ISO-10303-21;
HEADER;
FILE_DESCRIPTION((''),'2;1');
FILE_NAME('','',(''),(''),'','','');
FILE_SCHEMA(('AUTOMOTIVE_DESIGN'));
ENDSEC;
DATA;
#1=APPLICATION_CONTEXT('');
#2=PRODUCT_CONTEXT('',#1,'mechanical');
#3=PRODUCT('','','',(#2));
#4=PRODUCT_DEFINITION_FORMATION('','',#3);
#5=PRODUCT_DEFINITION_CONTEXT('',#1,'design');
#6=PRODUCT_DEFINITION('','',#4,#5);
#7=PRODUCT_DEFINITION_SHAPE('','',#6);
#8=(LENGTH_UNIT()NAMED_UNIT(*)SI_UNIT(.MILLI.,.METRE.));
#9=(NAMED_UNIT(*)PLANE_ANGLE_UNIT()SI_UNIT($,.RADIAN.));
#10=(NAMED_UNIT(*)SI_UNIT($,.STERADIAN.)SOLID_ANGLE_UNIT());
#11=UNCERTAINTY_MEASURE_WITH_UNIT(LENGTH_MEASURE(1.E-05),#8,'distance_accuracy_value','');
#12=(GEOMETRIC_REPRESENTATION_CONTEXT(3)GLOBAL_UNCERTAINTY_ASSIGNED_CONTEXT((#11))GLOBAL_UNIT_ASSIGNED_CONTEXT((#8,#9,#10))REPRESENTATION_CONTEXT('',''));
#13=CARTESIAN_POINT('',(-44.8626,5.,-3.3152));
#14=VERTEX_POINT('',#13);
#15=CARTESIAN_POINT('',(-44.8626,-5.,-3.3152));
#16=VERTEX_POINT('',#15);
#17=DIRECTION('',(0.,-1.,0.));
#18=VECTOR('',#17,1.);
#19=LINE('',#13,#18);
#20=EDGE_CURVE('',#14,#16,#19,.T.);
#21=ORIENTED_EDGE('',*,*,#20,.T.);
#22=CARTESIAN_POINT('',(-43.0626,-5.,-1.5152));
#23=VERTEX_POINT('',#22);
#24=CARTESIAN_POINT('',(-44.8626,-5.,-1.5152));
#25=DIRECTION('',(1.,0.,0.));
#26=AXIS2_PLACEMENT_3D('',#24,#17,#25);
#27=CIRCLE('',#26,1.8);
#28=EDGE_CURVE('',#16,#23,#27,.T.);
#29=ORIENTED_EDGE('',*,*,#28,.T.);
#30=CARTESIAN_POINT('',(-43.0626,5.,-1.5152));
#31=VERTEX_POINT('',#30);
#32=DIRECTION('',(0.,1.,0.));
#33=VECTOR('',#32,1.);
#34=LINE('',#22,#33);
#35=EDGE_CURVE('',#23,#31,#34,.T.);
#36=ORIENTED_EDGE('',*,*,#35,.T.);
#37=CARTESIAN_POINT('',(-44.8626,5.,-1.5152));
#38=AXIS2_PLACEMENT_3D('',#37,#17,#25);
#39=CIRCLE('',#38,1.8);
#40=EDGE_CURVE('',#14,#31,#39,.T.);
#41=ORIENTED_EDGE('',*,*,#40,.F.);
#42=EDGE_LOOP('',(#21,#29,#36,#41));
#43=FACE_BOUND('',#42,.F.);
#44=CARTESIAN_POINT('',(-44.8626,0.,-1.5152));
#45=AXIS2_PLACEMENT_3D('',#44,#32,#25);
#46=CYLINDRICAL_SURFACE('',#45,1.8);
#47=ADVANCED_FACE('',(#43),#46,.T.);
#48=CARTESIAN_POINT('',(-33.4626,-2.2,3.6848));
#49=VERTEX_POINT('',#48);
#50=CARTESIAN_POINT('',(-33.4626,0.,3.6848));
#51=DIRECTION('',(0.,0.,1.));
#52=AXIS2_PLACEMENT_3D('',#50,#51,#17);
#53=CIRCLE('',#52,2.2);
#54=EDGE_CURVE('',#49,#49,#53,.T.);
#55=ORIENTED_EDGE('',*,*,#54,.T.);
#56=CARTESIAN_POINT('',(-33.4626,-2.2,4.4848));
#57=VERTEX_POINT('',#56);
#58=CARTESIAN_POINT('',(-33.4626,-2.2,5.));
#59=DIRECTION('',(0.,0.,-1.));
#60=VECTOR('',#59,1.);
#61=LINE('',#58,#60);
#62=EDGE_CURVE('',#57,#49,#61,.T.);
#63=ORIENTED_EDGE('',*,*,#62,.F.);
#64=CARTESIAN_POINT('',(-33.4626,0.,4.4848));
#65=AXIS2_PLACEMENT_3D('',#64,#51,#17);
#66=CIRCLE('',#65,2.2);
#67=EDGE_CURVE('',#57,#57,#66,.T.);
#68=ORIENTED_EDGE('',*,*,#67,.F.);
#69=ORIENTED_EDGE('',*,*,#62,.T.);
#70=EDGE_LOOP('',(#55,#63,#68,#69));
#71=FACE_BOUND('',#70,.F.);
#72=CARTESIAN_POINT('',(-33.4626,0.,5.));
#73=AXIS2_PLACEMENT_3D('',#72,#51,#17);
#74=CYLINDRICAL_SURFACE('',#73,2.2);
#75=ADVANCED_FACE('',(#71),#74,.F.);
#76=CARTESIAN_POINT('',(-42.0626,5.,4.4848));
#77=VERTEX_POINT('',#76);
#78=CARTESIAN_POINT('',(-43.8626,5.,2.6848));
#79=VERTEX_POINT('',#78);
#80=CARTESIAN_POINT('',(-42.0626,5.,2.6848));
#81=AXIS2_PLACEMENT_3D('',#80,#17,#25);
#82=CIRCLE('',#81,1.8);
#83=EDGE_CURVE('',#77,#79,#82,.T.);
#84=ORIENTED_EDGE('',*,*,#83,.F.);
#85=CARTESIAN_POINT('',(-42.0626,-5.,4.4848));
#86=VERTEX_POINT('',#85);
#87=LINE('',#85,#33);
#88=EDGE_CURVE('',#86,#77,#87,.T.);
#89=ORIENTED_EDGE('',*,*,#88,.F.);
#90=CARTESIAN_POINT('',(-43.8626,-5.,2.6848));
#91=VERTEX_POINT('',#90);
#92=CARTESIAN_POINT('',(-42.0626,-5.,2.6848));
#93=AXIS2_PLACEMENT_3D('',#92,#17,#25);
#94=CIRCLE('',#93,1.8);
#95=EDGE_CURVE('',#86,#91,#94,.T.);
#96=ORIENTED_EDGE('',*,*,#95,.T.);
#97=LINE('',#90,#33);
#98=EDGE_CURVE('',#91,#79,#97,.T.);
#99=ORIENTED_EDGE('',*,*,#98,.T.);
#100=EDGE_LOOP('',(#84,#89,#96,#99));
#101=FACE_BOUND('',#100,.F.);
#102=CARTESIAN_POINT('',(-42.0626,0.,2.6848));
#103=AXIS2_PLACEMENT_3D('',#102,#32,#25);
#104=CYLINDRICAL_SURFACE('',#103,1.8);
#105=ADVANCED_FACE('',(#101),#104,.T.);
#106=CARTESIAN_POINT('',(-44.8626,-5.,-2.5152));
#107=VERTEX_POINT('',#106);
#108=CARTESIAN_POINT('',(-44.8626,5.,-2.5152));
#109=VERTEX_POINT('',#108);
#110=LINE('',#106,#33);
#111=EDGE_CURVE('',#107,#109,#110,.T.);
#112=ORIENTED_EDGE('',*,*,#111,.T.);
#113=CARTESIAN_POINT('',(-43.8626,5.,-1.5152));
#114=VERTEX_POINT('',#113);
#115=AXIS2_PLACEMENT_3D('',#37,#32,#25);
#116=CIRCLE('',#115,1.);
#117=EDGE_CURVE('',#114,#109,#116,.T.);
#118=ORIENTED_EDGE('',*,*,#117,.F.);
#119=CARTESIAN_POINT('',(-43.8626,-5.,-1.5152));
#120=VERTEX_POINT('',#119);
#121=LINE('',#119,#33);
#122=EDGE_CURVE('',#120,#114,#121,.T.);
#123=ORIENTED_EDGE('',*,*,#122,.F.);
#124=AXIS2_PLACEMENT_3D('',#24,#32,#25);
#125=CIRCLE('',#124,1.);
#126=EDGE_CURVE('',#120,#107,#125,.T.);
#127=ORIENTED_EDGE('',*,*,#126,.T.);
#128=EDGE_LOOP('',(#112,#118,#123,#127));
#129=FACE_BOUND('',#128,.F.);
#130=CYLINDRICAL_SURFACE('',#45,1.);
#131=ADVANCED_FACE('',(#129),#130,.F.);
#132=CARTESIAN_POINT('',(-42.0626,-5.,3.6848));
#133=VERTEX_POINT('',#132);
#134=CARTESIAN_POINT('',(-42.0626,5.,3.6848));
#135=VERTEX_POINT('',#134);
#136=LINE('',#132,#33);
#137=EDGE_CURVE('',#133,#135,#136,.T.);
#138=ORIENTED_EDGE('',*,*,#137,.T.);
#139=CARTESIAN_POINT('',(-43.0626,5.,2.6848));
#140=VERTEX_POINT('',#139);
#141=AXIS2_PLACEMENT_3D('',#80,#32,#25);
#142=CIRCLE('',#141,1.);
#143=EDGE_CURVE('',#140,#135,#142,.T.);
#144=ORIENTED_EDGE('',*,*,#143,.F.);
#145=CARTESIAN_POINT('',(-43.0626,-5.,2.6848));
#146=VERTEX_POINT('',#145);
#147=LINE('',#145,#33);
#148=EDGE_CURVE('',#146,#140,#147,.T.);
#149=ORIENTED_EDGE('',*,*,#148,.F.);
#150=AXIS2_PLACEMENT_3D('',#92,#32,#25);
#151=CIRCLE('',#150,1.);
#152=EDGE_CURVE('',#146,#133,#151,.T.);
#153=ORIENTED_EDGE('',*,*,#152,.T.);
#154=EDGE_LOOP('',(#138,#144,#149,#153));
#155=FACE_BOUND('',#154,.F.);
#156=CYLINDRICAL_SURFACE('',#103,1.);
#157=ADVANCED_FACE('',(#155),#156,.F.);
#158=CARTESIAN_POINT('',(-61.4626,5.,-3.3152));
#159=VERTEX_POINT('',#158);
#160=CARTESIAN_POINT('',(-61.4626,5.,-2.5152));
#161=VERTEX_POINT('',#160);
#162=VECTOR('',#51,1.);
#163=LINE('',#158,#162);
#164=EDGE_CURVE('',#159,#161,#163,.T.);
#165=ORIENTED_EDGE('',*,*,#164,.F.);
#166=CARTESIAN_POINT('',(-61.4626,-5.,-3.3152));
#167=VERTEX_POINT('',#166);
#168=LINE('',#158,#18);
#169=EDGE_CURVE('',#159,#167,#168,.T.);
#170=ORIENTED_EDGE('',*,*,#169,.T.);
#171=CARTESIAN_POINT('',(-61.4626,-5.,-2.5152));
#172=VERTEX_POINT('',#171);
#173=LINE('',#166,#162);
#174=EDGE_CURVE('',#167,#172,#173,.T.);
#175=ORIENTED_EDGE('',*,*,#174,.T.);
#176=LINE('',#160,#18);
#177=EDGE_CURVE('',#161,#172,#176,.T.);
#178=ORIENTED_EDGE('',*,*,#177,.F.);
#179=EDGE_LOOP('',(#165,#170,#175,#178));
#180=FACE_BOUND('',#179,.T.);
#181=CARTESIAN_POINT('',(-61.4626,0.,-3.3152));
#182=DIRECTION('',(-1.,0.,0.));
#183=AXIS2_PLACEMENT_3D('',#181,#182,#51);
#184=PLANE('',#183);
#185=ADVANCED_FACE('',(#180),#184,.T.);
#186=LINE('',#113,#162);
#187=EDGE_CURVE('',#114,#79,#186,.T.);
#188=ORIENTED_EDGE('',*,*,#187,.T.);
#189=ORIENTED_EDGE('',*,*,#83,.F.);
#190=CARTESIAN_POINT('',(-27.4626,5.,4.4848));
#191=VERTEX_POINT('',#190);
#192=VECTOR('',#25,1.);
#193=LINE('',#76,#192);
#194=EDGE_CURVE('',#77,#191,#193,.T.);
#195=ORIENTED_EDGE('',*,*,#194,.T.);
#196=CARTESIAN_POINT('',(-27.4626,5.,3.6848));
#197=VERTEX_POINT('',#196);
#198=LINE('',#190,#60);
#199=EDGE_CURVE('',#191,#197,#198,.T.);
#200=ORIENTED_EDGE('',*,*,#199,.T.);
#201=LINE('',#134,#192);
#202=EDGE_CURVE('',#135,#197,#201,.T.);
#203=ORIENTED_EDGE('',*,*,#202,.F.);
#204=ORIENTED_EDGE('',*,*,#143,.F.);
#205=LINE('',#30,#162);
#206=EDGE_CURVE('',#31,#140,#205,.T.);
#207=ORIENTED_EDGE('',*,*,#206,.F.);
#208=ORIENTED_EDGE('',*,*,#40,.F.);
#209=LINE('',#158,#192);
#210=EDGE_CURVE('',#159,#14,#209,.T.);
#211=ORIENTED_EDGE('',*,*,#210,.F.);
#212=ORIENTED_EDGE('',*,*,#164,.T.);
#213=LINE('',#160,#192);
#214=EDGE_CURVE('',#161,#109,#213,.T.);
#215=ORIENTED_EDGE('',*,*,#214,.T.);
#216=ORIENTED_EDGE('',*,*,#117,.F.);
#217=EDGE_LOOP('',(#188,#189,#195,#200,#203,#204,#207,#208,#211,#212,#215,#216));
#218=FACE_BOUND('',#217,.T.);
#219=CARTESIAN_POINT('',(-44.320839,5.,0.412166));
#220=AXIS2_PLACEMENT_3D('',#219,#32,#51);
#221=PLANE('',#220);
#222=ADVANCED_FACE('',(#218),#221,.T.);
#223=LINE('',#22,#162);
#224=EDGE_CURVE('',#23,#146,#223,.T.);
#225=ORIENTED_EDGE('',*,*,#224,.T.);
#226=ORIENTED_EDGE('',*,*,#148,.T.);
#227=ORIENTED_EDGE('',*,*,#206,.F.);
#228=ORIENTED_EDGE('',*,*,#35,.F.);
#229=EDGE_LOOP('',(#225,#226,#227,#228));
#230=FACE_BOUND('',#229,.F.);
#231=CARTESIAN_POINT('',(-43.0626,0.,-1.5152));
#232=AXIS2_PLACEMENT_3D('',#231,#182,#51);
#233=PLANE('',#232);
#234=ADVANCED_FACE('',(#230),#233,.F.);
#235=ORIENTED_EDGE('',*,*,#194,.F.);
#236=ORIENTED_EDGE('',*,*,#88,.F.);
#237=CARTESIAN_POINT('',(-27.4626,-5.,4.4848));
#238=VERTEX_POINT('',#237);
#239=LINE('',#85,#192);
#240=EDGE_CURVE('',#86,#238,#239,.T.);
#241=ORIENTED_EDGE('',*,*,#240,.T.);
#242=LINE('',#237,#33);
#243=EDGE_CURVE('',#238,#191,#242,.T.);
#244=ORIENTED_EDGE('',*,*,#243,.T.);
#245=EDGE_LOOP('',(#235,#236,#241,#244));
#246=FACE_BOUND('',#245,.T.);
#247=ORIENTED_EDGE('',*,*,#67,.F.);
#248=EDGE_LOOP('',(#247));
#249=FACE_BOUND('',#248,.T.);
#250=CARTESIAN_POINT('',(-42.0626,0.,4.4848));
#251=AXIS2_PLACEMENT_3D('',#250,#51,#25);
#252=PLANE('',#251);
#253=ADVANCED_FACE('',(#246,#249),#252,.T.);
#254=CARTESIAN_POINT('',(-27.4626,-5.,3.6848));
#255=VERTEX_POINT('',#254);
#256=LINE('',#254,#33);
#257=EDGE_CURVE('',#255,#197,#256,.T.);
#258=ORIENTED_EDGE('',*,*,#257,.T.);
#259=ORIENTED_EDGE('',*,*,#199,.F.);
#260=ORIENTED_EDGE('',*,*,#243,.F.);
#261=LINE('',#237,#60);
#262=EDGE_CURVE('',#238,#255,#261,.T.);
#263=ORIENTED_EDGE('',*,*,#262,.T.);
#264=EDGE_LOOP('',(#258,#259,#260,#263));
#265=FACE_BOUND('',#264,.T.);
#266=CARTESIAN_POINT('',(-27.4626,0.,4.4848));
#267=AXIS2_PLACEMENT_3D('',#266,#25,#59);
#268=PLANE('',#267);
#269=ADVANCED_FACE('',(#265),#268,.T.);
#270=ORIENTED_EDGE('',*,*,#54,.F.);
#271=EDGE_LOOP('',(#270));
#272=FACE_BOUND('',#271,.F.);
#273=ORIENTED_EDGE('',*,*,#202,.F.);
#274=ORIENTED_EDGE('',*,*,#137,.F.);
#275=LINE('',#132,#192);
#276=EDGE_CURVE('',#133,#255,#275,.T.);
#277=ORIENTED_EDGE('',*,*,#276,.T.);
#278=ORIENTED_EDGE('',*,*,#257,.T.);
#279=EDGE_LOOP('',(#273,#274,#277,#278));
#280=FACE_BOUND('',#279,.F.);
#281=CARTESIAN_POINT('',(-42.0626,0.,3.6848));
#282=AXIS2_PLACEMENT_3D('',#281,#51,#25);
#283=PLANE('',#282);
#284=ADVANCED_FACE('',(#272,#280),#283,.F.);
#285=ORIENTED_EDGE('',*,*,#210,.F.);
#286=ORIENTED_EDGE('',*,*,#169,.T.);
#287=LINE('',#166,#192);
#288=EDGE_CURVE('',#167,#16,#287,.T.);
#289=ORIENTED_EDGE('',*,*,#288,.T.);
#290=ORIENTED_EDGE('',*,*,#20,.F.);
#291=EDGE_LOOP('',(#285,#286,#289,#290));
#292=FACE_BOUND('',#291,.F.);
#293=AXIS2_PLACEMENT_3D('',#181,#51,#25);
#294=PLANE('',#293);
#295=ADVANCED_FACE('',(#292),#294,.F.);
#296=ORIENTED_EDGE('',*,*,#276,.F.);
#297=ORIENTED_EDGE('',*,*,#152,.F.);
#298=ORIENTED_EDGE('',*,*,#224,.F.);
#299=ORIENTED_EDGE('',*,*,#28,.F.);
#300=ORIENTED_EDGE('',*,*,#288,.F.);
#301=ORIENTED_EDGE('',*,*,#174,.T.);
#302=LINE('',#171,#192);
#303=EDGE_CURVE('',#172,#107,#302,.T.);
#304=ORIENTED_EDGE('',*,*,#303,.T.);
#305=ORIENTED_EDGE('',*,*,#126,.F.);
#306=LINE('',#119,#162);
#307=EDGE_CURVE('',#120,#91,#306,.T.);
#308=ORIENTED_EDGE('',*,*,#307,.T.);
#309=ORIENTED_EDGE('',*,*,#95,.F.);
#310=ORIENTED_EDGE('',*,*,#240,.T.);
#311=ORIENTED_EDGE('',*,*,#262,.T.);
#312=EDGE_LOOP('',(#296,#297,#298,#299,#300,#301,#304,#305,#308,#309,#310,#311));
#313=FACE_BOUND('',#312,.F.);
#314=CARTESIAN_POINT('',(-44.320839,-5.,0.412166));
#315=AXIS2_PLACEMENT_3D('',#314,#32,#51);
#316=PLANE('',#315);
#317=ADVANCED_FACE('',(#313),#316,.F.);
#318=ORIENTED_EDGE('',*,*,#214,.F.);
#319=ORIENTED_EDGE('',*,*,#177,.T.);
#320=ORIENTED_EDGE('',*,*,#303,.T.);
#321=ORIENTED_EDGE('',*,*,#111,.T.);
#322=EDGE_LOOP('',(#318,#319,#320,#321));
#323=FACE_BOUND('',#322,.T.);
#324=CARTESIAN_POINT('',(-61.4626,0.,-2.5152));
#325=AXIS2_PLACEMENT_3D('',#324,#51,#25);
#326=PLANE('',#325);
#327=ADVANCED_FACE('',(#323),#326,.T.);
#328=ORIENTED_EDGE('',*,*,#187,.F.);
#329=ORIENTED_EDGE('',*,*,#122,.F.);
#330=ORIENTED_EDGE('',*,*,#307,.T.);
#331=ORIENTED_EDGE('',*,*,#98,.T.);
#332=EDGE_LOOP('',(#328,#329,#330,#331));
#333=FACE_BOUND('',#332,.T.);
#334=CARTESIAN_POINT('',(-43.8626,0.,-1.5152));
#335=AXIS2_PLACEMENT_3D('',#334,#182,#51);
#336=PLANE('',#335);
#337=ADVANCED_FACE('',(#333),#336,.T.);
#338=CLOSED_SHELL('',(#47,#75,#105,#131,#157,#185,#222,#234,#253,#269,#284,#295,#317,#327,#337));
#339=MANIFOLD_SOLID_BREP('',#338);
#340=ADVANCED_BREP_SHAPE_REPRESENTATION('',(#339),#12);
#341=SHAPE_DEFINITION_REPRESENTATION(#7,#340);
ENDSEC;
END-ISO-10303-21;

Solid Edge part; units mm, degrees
sketch "Sketch1" plane through (0, 0, 0) normal (0, -1, 0) x (1, 0, 0)
  line L0 (-61.4626, -2.5152) -> (-44.8626, -2.5152)
  line L1 (-61.4626, -3.3152) -> (-61.4626, -2.5152)
  line L2 (-61.4626, -3.3152) -> (-44.8626, -3.3152)
  arc A0 (-44.8626, -3.3152) -> (-43.0626, -1.5152) centre (-44.8626, -1.5152) ccw
  line L3 (-43.0626, -1.5152) -> (-43.0626, 2.6848)
  arc A1 (-43.0626, 2.6848) -> (-42.0626, 3.6848) centre (-42.0626, 2.6848) cw
  line L4 (-42.0626, 3.6848) -> (-27.4626, 3.6848)
  line L5 (-27.4626, 4.4848) -> (-27.4626, 3.6848)
  line L6 (-42.0626, 4.4848) -> (-27.4626, 4.4848)
  arc A2 (-42.0626, 4.4848) -> (-43.8626, 2.6848) centre (-42.0626, 2.6848) ccw
  line L7 (-43.8626, -1.5152) -> (-43.8626, 2.6848)
  arc A3 (-43.8626, -1.5152) -> (-44.8626, -2.5152) centre (-44.8626, -1.5152) cw
  dimension "D1" = 18
  dimension "D2" = 7
  dimension "D3" = 16
extrude "Protrusion1" add sketch "Sketch1" along normal mid plane 10
sketch "Sketch2" plane through (-22.7754, 0, 5) normal (0, 0, 1) x (0, -1, 0)
  circle A0 centre (0, -10.6872) radius 2.2
  dimension "D1" = 6
  dimension "D2" = 5
extrude "Cutout1" cut sketch "Sketch2" along normal through all and the other way through all
properties material "Steel"
